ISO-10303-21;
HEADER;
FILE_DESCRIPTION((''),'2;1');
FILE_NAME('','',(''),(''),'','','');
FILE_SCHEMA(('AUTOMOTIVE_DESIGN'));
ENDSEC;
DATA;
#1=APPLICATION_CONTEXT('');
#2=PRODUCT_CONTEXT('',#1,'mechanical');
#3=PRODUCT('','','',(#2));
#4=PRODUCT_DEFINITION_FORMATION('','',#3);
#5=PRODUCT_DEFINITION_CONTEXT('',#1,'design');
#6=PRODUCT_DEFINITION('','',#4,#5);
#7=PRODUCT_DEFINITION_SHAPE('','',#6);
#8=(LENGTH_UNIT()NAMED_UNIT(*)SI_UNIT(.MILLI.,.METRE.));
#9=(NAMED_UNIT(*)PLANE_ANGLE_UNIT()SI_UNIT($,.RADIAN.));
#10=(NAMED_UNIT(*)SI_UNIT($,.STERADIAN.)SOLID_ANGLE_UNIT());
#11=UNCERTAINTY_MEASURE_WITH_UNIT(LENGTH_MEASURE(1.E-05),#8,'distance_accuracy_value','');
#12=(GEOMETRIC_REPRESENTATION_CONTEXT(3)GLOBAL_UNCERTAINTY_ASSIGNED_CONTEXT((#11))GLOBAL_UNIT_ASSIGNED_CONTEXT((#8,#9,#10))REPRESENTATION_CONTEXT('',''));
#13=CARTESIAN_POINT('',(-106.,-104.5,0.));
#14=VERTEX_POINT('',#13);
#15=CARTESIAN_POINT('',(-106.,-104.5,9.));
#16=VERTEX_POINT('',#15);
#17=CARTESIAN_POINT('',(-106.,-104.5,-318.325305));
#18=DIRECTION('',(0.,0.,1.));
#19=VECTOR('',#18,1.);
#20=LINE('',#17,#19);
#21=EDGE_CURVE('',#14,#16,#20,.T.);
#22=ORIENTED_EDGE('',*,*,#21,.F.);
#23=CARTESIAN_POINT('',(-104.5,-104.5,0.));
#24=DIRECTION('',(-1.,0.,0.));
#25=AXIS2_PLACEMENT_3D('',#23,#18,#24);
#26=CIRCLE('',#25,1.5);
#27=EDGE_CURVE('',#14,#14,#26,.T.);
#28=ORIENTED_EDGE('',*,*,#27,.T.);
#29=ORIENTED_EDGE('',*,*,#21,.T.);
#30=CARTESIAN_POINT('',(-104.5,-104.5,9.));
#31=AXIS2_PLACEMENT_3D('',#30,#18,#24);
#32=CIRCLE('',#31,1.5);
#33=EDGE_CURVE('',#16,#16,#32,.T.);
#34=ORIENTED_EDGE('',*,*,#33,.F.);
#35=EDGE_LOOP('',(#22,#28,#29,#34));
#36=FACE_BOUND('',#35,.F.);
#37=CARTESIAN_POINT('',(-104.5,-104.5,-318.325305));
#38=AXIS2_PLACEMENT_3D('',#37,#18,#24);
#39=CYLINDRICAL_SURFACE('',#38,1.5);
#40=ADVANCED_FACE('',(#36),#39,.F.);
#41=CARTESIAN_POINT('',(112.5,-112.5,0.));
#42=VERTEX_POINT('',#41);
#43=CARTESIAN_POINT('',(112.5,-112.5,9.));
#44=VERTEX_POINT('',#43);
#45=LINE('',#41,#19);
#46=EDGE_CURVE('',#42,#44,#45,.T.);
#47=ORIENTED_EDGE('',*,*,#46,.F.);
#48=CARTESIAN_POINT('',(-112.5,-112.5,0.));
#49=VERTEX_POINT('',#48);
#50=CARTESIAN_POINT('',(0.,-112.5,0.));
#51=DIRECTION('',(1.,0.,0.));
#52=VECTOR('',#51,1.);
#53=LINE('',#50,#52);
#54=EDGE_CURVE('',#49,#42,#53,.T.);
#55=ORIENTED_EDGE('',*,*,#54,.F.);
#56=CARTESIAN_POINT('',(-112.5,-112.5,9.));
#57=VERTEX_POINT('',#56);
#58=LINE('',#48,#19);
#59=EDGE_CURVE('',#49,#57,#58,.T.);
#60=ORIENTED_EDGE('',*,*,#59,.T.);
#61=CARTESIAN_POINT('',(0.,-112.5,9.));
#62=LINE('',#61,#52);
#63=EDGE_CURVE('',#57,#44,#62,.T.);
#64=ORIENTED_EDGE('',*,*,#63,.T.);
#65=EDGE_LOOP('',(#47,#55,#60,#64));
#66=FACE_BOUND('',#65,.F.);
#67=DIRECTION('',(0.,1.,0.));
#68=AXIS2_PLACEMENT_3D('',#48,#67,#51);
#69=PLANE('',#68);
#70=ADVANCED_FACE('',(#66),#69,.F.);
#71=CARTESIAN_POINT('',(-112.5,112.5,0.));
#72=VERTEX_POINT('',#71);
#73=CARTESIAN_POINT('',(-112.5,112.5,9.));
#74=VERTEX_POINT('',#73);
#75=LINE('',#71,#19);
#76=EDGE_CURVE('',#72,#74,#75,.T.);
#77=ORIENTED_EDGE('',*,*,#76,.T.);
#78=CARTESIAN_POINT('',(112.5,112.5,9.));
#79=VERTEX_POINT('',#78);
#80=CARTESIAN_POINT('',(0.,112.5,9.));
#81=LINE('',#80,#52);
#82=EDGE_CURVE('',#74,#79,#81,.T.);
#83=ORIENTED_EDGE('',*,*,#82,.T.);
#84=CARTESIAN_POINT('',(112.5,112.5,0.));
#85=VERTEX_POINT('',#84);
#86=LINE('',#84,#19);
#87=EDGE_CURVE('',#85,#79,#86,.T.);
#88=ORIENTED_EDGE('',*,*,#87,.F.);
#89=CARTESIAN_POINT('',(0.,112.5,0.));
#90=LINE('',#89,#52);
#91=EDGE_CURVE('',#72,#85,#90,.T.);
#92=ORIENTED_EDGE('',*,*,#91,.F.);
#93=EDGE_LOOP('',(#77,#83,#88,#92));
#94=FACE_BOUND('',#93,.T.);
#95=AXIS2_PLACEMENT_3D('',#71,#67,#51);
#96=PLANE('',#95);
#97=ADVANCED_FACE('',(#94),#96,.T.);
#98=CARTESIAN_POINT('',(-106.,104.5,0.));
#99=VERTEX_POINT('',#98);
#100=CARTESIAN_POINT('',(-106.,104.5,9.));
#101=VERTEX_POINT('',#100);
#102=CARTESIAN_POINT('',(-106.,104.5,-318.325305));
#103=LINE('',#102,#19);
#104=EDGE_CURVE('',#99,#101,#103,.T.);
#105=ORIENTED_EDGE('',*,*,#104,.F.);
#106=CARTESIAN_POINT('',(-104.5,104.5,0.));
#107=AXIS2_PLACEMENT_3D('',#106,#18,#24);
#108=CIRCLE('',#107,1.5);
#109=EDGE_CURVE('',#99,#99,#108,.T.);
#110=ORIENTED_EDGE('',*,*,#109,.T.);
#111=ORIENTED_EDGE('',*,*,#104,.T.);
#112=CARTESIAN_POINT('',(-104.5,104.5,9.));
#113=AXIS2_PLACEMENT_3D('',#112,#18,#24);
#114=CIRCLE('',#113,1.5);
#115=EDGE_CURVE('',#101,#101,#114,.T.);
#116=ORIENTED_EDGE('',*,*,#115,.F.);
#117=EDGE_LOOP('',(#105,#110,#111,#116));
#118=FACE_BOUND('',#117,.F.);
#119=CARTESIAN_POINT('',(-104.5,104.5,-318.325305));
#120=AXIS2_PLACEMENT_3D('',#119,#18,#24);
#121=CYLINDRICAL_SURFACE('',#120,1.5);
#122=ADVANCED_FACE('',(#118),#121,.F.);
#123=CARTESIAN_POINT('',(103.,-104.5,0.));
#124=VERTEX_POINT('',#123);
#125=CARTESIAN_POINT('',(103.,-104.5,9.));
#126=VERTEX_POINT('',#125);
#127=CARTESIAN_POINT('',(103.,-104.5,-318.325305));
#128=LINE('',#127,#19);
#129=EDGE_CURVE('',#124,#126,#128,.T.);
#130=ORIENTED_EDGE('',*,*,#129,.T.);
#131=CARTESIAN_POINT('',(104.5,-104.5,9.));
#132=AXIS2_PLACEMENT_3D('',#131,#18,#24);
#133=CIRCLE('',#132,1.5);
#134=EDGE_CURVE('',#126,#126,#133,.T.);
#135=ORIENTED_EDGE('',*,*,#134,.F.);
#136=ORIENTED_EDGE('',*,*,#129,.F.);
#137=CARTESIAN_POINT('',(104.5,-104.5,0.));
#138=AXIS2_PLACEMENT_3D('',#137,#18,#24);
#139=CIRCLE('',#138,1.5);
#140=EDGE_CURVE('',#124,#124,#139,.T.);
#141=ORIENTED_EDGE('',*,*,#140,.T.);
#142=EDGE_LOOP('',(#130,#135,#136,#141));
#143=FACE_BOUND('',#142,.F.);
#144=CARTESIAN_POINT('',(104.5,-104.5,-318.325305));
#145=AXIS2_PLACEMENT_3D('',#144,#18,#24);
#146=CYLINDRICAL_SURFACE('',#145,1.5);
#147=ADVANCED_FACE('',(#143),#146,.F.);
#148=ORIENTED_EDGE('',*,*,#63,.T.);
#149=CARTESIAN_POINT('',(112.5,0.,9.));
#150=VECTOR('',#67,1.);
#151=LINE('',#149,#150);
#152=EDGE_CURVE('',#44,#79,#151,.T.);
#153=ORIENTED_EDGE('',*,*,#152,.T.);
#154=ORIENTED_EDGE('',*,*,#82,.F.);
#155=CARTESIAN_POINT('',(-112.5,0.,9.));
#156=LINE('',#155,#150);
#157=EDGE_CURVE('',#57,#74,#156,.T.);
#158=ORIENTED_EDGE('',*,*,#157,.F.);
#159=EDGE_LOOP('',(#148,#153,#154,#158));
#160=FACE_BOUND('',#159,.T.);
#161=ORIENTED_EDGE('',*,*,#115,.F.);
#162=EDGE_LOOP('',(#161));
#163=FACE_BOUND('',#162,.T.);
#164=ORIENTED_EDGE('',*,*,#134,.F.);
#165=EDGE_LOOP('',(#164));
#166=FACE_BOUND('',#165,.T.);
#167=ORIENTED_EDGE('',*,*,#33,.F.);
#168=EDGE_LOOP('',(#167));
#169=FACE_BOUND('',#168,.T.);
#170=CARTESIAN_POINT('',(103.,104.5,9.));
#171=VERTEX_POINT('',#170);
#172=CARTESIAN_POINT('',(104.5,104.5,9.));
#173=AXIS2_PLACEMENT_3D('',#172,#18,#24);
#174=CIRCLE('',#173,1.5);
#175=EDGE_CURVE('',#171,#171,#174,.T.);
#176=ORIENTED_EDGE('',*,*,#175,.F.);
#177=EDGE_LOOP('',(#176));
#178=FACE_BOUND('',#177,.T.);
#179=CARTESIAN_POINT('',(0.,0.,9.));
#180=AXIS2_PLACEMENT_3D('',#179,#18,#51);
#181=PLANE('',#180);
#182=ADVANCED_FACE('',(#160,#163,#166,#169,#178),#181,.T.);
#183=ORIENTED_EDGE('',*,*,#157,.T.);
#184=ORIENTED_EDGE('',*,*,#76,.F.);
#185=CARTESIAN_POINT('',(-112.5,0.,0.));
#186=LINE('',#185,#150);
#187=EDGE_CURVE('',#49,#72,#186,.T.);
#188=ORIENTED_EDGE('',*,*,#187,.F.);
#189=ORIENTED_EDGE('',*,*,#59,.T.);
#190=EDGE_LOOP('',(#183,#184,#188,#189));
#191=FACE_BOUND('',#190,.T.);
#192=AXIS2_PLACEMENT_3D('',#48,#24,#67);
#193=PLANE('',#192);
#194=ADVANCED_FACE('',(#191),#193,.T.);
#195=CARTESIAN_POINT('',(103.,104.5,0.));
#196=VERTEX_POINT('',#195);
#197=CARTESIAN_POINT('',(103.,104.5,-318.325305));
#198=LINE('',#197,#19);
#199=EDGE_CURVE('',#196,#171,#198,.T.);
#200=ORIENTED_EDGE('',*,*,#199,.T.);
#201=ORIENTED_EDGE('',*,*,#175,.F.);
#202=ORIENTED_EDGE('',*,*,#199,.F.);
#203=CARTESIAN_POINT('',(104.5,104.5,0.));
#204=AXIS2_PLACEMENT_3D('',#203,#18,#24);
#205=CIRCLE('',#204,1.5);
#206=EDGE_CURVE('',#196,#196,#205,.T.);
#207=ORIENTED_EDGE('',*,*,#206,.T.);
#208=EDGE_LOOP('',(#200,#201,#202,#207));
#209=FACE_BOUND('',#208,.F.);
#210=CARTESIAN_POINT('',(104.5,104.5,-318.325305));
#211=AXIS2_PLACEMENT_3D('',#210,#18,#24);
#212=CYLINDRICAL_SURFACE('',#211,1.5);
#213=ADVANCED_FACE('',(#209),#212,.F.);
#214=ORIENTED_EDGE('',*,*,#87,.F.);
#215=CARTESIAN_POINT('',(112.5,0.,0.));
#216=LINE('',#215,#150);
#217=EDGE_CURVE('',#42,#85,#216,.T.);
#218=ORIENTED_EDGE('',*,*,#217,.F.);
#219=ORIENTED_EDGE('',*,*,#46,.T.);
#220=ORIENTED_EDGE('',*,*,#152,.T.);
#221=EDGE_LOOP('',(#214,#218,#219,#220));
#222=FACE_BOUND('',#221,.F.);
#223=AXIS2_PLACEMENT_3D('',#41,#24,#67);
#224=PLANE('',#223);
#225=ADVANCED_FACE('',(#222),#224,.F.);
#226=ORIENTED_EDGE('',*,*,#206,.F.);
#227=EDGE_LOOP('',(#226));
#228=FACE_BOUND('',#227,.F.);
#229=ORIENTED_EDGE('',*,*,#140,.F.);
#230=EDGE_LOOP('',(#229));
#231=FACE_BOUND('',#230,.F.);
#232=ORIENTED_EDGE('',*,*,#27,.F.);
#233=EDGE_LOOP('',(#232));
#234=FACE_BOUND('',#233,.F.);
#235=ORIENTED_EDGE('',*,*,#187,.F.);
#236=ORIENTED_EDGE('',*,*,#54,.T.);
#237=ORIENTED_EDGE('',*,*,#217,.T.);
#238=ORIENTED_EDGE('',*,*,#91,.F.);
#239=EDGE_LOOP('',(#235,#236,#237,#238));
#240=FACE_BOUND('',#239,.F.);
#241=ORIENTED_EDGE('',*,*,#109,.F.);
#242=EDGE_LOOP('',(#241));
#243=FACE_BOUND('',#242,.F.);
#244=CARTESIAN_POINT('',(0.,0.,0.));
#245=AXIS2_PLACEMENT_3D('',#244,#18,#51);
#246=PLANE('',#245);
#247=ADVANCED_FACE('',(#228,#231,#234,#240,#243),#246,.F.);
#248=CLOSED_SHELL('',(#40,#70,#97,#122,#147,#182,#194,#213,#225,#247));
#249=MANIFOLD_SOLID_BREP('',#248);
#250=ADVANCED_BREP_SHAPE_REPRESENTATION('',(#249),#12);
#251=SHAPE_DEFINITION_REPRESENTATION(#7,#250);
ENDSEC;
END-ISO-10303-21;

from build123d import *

# Parameters (mm, degrees)
F0_W     = 225
F0_H     = 225
F1_DEPTH = 9
F2_D     = 3


with BuildPart() as f1:
    # F0 (on Top) → F1 (new body)
    with BuildSketch(Plane.XY):
        Rectangle(F0_W, F0_H)
    extrude(amount=F1_DEPTH)

    # F2 (through all)
    with Locations(Plane(origin=(0, 0, 0), x_dir=(1, 0, 0), z_dir=(0, 0, -1))):
        with Locations((-104.5, 104.5), (104.5, 104.5), (-104.5, -104.5), (104.5, -104.5)):
            Hole(F2_D / 2)


solid = f1.part
